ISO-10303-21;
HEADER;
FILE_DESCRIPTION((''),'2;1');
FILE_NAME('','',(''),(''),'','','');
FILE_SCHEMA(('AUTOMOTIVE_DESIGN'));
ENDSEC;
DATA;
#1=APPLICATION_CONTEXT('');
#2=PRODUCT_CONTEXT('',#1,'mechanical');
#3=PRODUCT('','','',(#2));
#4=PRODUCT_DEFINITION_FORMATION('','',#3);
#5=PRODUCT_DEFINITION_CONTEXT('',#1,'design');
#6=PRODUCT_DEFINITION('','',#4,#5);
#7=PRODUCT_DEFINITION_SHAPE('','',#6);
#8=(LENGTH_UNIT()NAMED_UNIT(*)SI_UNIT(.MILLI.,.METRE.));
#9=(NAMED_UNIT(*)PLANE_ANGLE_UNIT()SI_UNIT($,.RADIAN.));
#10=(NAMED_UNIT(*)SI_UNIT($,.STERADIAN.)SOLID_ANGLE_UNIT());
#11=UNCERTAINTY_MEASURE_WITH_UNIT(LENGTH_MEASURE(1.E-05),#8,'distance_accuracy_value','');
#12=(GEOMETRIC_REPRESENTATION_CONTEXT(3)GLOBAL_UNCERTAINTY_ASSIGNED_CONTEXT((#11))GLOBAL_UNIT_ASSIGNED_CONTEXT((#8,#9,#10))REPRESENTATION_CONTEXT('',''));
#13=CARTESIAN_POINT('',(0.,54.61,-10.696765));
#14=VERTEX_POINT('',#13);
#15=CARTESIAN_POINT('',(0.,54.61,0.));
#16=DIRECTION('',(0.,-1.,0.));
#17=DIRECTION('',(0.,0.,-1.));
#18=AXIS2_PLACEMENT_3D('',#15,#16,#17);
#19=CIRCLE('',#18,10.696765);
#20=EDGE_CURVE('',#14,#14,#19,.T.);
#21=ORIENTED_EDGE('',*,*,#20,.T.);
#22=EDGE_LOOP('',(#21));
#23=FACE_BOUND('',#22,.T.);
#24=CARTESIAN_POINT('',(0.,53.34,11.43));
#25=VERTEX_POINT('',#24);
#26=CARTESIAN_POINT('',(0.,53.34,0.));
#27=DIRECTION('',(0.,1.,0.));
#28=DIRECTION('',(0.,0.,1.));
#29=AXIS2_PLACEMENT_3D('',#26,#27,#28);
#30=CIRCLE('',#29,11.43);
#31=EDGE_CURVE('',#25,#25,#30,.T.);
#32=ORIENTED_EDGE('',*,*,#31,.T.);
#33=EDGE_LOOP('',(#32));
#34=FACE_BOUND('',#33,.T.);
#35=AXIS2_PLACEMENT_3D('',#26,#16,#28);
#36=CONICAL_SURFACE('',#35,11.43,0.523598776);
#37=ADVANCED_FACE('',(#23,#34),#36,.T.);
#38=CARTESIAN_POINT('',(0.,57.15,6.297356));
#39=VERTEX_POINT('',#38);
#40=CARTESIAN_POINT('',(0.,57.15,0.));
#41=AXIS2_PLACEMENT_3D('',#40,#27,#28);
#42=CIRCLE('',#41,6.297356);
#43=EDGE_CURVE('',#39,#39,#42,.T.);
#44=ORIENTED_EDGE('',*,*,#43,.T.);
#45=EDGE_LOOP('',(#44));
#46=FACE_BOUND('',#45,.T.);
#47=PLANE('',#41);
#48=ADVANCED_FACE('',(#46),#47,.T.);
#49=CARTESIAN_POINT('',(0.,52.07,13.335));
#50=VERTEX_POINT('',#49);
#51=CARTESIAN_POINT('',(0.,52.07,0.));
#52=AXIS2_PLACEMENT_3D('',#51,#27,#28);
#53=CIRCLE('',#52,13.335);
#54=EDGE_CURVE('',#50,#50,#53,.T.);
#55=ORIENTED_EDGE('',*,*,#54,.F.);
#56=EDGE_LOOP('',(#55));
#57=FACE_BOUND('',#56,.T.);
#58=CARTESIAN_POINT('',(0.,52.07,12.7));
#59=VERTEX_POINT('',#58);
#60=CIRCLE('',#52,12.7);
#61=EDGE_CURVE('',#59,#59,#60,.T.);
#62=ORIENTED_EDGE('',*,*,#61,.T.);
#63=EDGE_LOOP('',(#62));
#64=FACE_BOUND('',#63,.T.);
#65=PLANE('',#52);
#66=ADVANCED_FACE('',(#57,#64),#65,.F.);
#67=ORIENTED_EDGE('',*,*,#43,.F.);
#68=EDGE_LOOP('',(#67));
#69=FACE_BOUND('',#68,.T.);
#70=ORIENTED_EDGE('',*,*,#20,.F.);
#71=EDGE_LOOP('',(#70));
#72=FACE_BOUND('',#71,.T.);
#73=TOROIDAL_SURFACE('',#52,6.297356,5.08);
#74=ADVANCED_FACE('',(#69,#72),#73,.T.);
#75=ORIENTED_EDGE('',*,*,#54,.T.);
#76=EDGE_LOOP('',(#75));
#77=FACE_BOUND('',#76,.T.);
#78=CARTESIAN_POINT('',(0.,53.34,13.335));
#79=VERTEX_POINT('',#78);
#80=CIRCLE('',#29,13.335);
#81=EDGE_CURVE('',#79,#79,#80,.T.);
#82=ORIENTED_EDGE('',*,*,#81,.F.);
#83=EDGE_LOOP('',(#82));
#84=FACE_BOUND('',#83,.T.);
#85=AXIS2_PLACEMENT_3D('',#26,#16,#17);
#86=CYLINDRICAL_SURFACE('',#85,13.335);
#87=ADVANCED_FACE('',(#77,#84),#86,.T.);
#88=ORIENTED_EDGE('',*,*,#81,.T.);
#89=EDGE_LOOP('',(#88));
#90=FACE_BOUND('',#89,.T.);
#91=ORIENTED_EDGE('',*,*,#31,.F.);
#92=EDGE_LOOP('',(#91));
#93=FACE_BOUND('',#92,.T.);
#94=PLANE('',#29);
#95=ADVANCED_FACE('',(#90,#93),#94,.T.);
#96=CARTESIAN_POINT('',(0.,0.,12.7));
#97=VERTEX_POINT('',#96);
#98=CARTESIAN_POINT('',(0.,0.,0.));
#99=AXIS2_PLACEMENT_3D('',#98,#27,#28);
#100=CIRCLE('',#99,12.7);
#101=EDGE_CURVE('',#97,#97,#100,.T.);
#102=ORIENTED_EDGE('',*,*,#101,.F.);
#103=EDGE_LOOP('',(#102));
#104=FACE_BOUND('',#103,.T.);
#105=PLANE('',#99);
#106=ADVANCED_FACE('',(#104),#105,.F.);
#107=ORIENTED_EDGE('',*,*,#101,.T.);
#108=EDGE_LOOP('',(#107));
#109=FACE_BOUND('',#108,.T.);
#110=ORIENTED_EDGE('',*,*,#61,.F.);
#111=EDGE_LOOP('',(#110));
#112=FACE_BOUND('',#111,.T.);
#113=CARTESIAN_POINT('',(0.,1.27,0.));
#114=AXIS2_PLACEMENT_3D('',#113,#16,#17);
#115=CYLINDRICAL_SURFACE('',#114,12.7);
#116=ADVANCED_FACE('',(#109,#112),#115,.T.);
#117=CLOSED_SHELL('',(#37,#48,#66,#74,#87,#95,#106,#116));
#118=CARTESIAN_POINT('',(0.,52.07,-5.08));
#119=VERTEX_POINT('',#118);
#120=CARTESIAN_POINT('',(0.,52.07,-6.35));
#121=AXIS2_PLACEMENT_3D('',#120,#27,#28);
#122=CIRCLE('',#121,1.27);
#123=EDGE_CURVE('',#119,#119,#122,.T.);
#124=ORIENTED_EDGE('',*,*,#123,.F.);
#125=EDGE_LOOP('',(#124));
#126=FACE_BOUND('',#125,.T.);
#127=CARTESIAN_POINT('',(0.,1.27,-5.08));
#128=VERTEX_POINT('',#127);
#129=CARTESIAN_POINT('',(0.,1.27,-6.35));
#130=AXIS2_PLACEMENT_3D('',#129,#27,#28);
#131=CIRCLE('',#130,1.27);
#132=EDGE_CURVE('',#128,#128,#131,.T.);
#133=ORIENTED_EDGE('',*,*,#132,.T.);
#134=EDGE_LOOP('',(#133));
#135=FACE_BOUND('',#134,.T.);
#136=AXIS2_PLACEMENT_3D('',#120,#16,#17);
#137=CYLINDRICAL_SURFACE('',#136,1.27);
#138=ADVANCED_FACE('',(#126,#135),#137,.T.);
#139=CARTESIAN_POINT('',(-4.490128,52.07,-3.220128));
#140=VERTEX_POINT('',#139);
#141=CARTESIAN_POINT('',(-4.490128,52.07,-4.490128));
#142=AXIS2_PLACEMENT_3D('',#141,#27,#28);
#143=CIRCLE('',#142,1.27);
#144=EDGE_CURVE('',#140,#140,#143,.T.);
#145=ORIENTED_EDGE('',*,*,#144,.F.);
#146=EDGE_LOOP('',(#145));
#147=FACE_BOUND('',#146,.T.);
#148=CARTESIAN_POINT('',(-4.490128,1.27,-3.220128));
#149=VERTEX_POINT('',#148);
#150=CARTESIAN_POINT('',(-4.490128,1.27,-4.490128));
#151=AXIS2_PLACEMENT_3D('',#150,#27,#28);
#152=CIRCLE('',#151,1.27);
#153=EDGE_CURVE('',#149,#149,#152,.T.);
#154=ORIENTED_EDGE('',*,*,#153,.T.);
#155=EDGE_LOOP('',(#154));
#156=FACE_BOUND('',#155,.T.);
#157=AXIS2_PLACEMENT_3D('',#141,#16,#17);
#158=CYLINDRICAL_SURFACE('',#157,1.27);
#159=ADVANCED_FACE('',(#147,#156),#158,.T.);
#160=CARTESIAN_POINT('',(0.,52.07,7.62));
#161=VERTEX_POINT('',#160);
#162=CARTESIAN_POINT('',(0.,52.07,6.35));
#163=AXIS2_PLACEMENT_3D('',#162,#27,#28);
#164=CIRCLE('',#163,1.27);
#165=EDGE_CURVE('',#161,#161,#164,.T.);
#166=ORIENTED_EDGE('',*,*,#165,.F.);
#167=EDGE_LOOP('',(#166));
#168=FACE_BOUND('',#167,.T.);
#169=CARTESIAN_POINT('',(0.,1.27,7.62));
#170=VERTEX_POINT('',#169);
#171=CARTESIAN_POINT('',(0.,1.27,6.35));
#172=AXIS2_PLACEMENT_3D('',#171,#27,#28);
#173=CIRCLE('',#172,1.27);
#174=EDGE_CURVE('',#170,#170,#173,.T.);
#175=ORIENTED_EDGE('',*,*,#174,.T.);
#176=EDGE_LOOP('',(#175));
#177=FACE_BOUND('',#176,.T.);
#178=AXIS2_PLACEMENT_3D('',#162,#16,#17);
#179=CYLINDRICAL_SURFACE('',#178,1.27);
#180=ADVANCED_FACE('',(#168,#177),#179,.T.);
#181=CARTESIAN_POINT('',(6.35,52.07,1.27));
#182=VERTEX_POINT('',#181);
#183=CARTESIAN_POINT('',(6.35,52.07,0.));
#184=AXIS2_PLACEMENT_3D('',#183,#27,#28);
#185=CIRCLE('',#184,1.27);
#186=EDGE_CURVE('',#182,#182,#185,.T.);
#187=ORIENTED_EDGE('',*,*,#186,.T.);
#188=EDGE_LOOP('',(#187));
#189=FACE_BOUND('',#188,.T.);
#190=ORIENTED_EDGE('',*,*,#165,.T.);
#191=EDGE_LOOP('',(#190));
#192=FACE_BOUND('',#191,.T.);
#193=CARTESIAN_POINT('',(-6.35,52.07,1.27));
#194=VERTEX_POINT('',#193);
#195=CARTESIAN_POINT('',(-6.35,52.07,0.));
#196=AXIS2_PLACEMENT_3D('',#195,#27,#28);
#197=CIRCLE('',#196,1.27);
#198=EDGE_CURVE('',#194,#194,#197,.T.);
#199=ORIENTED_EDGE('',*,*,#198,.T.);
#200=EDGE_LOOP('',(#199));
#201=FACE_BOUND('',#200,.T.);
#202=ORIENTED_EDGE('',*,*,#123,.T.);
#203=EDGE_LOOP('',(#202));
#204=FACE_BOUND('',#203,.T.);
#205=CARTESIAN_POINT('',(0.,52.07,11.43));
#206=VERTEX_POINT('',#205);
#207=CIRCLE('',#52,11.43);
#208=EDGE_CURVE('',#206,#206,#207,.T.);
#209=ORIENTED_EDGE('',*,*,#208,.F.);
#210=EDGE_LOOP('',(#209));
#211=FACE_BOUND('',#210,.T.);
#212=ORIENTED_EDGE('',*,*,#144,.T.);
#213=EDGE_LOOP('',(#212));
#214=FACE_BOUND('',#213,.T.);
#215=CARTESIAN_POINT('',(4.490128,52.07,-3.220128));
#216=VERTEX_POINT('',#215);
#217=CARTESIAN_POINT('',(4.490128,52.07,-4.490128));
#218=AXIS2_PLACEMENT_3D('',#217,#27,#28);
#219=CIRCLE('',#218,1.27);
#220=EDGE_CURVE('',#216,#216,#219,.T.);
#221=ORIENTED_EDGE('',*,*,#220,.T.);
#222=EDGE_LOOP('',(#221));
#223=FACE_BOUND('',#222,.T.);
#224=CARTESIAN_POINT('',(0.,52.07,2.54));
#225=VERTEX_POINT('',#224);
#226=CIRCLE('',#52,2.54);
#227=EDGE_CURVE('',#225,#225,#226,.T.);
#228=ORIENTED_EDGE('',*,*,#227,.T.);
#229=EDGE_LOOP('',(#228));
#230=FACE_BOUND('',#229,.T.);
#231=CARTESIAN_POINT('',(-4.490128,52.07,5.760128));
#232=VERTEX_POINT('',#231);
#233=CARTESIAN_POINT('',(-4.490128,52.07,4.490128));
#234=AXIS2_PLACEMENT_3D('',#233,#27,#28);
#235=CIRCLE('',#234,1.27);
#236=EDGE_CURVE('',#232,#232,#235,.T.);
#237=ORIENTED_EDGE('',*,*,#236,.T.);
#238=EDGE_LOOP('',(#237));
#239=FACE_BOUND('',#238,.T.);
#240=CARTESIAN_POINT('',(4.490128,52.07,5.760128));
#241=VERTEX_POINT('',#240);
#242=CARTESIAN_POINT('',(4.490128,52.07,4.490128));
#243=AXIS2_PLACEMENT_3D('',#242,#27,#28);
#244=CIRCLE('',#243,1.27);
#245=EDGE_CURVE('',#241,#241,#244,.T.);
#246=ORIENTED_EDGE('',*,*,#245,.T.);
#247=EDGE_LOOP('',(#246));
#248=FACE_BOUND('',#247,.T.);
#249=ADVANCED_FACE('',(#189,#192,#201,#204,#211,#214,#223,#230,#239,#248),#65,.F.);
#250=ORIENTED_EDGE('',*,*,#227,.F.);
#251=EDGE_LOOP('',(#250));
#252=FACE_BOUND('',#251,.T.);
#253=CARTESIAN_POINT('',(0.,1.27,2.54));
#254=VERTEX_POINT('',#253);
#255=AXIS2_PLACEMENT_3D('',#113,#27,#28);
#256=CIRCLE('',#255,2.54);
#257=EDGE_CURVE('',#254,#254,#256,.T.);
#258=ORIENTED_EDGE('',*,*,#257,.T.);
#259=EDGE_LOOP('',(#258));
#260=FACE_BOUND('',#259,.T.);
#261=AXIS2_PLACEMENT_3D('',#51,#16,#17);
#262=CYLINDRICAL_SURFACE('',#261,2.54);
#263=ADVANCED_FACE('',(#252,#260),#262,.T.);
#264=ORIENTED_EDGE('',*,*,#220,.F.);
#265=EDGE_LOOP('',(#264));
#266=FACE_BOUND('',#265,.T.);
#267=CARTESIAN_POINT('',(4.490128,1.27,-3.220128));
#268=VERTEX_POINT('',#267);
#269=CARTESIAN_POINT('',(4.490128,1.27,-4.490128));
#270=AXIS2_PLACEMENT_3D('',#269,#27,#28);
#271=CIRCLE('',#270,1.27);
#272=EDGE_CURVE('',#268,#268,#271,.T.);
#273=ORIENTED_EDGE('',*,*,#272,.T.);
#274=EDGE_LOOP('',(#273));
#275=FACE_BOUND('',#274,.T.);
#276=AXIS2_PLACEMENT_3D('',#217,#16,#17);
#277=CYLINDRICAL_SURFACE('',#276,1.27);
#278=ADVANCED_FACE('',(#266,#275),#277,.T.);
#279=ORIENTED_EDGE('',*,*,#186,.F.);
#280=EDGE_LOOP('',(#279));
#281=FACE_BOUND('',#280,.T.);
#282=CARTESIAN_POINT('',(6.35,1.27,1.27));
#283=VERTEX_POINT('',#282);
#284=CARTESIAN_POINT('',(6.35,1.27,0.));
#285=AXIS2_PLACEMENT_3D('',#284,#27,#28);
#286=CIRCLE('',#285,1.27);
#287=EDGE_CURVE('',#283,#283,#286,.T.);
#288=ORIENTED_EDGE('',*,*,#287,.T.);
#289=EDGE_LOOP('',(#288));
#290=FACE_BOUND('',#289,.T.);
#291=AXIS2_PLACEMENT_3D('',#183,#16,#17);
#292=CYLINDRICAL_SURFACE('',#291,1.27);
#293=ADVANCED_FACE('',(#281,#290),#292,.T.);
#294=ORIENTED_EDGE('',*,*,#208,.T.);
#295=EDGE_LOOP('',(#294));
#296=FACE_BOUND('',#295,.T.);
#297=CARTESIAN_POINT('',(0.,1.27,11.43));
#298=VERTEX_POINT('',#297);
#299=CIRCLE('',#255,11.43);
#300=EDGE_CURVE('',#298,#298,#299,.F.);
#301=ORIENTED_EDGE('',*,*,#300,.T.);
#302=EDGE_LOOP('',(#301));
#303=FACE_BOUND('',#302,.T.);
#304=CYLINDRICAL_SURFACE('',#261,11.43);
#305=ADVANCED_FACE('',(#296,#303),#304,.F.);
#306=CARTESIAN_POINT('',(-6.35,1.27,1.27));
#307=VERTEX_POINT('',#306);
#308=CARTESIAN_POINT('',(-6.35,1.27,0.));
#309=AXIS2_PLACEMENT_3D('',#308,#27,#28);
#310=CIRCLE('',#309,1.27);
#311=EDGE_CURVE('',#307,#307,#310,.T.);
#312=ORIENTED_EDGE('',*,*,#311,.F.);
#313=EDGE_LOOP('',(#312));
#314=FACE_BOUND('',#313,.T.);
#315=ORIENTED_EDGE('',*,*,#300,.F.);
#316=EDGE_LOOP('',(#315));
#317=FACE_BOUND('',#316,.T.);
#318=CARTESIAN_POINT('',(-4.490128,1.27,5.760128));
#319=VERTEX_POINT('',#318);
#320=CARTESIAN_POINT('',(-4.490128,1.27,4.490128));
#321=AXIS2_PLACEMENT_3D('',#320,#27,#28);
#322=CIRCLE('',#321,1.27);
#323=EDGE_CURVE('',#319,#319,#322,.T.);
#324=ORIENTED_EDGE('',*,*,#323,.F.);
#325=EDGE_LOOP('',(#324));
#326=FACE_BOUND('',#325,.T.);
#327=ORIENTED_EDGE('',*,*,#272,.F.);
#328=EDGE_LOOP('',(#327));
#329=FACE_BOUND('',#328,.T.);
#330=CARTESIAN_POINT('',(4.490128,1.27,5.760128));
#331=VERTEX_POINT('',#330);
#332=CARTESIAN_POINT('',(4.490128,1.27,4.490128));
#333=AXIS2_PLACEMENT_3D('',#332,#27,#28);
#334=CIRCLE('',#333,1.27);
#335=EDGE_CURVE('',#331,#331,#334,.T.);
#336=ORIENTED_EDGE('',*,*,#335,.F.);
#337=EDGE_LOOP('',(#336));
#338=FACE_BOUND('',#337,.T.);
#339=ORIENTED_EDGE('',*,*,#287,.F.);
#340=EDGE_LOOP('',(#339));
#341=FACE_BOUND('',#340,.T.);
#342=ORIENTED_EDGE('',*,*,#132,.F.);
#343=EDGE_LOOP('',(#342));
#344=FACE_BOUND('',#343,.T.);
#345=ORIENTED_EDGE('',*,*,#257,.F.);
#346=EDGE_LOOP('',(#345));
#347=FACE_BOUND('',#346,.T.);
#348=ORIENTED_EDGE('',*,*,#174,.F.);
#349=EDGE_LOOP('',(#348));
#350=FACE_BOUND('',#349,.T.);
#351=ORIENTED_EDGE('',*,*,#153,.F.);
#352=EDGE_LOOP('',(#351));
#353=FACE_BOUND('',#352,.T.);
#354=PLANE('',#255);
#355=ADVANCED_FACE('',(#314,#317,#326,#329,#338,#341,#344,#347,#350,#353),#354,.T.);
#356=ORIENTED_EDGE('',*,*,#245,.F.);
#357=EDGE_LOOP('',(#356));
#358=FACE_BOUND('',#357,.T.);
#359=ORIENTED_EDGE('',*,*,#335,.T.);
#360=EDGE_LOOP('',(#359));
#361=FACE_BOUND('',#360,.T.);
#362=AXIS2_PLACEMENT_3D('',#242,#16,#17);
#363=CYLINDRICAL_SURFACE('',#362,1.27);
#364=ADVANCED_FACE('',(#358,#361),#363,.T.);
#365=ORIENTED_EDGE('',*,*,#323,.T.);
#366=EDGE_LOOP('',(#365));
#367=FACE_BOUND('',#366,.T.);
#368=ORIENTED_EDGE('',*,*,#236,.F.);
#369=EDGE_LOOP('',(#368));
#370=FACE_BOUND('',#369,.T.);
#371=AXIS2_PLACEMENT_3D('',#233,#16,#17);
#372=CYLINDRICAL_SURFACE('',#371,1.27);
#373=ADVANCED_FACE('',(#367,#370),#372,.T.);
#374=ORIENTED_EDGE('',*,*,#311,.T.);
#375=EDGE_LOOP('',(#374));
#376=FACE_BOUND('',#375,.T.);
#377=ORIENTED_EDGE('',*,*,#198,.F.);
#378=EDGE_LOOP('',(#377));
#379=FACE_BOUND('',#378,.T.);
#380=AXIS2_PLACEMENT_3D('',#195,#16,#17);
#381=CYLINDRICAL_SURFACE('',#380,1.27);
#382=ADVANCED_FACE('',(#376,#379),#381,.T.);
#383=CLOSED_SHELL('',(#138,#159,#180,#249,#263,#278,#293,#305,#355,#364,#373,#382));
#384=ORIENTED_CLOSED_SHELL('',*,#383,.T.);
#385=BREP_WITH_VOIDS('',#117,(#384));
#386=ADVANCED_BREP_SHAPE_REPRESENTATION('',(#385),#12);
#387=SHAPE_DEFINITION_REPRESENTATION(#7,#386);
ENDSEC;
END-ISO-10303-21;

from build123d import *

# Parameters (mm, degrees)
SKETCH1_R           = 12.7
BOSS_EXTRUDE1_DEPTH = 1.27
SKETCH2_R           = 12.7
SKETCH2_R_2         = 11.43
SKETCH2_R_3         = 1.27
SKETCH2_R_4         = 2.54
BOSS_EXTRUDE2_DEPTH = 50.8
SKETCH3_R           = 13.335
BOSS_EXTRUDE3_DEPTH = 1.27
SKETCH4_R           = 11.43
BOSS_EXTRUDE4_DEPTH = 3.81
BOSS_EXTRUDE4_TAPER = 30
FILLET1_R           = 5.08


with BuildPart() as part:
    # Sketch1 → Boss-Extrude1 (new body)
    with BuildSketch(Plane(origin=(0, 0, 0), x_dir=(1, 0, 0), z_dir=(0, 1, 0))):
        Circle(SKETCH1_R)
    extrude(amount=BOSS_EXTRUDE1_DEPTH)

    # Sketch2 → Boss-Extrude2 (add)
    with BuildSketch(Plane(origin=(0, 1.27, 0), x_dir=(1, 0, 0), z_dir=(0, 1, 0))):
        Circle(SKETCH2_R)
        Circle(SKETCH2_R_2, mode=Mode.SUBTRACT)
        with Locations((-6.35, 0)):
            Circle(SKETCH2_R_3)
        with Locations((-4.490128061, 4.490128061)):
            Circle(SKETCH2_R_3)
        with Locations((-4.490128061, -4.490128061)):
            Circle(SKETCH2_R_3)
        Circle(SKETCH2_R_4)
        with Locations((0, 6.35)):
            Circle(SKETCH2_R_3)
        with Locations((4.490128061, 4.490128061)):
            Circle(SKETCH2_R_3)
        with Locations((6.35, 0)):
            Circle(SKETCH2_R_3)
        with Locations((4.490128061, -4.490128061)):
            Circle(SKETCH2_R_3)
        with Locations((0, -6.35)):
            Circle(SKETCH2_R_3)
    extrude(amount=BOSS_EXTRUDE2_DEPTH)

    # Sketch3 → Boss-Extrude3 (add)
    with BuildSketch(Plane(origin=(0, 52.07, 0), x_dir=(1, 0, 0), z_dir=(0, 1, 0))):
        Circle(SKETCH3_R)
    extrude(amount=BOSS_EXTRUDE3_DEPTH)

    # Sketch4 → Boss-Extrude4 (add)
    with BuildSketch(Plane(origin=(0, 53.34, 0), x_dir=(1, 0, 0), z_dir=(0, 1, 0))):
        Circle(SKETCH4_R)
    extrude(amount=BOSS_EXTRUDE4_DEPTH, taper=BOSS_EXTRUDE4_TAPER)

    # Fillet1
    fillet1_edges = [part.edges().sort_by_distance(p)[0] for p in [
        (-9.230295474, 57.15, 0),
    ]]
    fillet(fillet1_edges, radius=FILLET1_R)


solid = part.part
